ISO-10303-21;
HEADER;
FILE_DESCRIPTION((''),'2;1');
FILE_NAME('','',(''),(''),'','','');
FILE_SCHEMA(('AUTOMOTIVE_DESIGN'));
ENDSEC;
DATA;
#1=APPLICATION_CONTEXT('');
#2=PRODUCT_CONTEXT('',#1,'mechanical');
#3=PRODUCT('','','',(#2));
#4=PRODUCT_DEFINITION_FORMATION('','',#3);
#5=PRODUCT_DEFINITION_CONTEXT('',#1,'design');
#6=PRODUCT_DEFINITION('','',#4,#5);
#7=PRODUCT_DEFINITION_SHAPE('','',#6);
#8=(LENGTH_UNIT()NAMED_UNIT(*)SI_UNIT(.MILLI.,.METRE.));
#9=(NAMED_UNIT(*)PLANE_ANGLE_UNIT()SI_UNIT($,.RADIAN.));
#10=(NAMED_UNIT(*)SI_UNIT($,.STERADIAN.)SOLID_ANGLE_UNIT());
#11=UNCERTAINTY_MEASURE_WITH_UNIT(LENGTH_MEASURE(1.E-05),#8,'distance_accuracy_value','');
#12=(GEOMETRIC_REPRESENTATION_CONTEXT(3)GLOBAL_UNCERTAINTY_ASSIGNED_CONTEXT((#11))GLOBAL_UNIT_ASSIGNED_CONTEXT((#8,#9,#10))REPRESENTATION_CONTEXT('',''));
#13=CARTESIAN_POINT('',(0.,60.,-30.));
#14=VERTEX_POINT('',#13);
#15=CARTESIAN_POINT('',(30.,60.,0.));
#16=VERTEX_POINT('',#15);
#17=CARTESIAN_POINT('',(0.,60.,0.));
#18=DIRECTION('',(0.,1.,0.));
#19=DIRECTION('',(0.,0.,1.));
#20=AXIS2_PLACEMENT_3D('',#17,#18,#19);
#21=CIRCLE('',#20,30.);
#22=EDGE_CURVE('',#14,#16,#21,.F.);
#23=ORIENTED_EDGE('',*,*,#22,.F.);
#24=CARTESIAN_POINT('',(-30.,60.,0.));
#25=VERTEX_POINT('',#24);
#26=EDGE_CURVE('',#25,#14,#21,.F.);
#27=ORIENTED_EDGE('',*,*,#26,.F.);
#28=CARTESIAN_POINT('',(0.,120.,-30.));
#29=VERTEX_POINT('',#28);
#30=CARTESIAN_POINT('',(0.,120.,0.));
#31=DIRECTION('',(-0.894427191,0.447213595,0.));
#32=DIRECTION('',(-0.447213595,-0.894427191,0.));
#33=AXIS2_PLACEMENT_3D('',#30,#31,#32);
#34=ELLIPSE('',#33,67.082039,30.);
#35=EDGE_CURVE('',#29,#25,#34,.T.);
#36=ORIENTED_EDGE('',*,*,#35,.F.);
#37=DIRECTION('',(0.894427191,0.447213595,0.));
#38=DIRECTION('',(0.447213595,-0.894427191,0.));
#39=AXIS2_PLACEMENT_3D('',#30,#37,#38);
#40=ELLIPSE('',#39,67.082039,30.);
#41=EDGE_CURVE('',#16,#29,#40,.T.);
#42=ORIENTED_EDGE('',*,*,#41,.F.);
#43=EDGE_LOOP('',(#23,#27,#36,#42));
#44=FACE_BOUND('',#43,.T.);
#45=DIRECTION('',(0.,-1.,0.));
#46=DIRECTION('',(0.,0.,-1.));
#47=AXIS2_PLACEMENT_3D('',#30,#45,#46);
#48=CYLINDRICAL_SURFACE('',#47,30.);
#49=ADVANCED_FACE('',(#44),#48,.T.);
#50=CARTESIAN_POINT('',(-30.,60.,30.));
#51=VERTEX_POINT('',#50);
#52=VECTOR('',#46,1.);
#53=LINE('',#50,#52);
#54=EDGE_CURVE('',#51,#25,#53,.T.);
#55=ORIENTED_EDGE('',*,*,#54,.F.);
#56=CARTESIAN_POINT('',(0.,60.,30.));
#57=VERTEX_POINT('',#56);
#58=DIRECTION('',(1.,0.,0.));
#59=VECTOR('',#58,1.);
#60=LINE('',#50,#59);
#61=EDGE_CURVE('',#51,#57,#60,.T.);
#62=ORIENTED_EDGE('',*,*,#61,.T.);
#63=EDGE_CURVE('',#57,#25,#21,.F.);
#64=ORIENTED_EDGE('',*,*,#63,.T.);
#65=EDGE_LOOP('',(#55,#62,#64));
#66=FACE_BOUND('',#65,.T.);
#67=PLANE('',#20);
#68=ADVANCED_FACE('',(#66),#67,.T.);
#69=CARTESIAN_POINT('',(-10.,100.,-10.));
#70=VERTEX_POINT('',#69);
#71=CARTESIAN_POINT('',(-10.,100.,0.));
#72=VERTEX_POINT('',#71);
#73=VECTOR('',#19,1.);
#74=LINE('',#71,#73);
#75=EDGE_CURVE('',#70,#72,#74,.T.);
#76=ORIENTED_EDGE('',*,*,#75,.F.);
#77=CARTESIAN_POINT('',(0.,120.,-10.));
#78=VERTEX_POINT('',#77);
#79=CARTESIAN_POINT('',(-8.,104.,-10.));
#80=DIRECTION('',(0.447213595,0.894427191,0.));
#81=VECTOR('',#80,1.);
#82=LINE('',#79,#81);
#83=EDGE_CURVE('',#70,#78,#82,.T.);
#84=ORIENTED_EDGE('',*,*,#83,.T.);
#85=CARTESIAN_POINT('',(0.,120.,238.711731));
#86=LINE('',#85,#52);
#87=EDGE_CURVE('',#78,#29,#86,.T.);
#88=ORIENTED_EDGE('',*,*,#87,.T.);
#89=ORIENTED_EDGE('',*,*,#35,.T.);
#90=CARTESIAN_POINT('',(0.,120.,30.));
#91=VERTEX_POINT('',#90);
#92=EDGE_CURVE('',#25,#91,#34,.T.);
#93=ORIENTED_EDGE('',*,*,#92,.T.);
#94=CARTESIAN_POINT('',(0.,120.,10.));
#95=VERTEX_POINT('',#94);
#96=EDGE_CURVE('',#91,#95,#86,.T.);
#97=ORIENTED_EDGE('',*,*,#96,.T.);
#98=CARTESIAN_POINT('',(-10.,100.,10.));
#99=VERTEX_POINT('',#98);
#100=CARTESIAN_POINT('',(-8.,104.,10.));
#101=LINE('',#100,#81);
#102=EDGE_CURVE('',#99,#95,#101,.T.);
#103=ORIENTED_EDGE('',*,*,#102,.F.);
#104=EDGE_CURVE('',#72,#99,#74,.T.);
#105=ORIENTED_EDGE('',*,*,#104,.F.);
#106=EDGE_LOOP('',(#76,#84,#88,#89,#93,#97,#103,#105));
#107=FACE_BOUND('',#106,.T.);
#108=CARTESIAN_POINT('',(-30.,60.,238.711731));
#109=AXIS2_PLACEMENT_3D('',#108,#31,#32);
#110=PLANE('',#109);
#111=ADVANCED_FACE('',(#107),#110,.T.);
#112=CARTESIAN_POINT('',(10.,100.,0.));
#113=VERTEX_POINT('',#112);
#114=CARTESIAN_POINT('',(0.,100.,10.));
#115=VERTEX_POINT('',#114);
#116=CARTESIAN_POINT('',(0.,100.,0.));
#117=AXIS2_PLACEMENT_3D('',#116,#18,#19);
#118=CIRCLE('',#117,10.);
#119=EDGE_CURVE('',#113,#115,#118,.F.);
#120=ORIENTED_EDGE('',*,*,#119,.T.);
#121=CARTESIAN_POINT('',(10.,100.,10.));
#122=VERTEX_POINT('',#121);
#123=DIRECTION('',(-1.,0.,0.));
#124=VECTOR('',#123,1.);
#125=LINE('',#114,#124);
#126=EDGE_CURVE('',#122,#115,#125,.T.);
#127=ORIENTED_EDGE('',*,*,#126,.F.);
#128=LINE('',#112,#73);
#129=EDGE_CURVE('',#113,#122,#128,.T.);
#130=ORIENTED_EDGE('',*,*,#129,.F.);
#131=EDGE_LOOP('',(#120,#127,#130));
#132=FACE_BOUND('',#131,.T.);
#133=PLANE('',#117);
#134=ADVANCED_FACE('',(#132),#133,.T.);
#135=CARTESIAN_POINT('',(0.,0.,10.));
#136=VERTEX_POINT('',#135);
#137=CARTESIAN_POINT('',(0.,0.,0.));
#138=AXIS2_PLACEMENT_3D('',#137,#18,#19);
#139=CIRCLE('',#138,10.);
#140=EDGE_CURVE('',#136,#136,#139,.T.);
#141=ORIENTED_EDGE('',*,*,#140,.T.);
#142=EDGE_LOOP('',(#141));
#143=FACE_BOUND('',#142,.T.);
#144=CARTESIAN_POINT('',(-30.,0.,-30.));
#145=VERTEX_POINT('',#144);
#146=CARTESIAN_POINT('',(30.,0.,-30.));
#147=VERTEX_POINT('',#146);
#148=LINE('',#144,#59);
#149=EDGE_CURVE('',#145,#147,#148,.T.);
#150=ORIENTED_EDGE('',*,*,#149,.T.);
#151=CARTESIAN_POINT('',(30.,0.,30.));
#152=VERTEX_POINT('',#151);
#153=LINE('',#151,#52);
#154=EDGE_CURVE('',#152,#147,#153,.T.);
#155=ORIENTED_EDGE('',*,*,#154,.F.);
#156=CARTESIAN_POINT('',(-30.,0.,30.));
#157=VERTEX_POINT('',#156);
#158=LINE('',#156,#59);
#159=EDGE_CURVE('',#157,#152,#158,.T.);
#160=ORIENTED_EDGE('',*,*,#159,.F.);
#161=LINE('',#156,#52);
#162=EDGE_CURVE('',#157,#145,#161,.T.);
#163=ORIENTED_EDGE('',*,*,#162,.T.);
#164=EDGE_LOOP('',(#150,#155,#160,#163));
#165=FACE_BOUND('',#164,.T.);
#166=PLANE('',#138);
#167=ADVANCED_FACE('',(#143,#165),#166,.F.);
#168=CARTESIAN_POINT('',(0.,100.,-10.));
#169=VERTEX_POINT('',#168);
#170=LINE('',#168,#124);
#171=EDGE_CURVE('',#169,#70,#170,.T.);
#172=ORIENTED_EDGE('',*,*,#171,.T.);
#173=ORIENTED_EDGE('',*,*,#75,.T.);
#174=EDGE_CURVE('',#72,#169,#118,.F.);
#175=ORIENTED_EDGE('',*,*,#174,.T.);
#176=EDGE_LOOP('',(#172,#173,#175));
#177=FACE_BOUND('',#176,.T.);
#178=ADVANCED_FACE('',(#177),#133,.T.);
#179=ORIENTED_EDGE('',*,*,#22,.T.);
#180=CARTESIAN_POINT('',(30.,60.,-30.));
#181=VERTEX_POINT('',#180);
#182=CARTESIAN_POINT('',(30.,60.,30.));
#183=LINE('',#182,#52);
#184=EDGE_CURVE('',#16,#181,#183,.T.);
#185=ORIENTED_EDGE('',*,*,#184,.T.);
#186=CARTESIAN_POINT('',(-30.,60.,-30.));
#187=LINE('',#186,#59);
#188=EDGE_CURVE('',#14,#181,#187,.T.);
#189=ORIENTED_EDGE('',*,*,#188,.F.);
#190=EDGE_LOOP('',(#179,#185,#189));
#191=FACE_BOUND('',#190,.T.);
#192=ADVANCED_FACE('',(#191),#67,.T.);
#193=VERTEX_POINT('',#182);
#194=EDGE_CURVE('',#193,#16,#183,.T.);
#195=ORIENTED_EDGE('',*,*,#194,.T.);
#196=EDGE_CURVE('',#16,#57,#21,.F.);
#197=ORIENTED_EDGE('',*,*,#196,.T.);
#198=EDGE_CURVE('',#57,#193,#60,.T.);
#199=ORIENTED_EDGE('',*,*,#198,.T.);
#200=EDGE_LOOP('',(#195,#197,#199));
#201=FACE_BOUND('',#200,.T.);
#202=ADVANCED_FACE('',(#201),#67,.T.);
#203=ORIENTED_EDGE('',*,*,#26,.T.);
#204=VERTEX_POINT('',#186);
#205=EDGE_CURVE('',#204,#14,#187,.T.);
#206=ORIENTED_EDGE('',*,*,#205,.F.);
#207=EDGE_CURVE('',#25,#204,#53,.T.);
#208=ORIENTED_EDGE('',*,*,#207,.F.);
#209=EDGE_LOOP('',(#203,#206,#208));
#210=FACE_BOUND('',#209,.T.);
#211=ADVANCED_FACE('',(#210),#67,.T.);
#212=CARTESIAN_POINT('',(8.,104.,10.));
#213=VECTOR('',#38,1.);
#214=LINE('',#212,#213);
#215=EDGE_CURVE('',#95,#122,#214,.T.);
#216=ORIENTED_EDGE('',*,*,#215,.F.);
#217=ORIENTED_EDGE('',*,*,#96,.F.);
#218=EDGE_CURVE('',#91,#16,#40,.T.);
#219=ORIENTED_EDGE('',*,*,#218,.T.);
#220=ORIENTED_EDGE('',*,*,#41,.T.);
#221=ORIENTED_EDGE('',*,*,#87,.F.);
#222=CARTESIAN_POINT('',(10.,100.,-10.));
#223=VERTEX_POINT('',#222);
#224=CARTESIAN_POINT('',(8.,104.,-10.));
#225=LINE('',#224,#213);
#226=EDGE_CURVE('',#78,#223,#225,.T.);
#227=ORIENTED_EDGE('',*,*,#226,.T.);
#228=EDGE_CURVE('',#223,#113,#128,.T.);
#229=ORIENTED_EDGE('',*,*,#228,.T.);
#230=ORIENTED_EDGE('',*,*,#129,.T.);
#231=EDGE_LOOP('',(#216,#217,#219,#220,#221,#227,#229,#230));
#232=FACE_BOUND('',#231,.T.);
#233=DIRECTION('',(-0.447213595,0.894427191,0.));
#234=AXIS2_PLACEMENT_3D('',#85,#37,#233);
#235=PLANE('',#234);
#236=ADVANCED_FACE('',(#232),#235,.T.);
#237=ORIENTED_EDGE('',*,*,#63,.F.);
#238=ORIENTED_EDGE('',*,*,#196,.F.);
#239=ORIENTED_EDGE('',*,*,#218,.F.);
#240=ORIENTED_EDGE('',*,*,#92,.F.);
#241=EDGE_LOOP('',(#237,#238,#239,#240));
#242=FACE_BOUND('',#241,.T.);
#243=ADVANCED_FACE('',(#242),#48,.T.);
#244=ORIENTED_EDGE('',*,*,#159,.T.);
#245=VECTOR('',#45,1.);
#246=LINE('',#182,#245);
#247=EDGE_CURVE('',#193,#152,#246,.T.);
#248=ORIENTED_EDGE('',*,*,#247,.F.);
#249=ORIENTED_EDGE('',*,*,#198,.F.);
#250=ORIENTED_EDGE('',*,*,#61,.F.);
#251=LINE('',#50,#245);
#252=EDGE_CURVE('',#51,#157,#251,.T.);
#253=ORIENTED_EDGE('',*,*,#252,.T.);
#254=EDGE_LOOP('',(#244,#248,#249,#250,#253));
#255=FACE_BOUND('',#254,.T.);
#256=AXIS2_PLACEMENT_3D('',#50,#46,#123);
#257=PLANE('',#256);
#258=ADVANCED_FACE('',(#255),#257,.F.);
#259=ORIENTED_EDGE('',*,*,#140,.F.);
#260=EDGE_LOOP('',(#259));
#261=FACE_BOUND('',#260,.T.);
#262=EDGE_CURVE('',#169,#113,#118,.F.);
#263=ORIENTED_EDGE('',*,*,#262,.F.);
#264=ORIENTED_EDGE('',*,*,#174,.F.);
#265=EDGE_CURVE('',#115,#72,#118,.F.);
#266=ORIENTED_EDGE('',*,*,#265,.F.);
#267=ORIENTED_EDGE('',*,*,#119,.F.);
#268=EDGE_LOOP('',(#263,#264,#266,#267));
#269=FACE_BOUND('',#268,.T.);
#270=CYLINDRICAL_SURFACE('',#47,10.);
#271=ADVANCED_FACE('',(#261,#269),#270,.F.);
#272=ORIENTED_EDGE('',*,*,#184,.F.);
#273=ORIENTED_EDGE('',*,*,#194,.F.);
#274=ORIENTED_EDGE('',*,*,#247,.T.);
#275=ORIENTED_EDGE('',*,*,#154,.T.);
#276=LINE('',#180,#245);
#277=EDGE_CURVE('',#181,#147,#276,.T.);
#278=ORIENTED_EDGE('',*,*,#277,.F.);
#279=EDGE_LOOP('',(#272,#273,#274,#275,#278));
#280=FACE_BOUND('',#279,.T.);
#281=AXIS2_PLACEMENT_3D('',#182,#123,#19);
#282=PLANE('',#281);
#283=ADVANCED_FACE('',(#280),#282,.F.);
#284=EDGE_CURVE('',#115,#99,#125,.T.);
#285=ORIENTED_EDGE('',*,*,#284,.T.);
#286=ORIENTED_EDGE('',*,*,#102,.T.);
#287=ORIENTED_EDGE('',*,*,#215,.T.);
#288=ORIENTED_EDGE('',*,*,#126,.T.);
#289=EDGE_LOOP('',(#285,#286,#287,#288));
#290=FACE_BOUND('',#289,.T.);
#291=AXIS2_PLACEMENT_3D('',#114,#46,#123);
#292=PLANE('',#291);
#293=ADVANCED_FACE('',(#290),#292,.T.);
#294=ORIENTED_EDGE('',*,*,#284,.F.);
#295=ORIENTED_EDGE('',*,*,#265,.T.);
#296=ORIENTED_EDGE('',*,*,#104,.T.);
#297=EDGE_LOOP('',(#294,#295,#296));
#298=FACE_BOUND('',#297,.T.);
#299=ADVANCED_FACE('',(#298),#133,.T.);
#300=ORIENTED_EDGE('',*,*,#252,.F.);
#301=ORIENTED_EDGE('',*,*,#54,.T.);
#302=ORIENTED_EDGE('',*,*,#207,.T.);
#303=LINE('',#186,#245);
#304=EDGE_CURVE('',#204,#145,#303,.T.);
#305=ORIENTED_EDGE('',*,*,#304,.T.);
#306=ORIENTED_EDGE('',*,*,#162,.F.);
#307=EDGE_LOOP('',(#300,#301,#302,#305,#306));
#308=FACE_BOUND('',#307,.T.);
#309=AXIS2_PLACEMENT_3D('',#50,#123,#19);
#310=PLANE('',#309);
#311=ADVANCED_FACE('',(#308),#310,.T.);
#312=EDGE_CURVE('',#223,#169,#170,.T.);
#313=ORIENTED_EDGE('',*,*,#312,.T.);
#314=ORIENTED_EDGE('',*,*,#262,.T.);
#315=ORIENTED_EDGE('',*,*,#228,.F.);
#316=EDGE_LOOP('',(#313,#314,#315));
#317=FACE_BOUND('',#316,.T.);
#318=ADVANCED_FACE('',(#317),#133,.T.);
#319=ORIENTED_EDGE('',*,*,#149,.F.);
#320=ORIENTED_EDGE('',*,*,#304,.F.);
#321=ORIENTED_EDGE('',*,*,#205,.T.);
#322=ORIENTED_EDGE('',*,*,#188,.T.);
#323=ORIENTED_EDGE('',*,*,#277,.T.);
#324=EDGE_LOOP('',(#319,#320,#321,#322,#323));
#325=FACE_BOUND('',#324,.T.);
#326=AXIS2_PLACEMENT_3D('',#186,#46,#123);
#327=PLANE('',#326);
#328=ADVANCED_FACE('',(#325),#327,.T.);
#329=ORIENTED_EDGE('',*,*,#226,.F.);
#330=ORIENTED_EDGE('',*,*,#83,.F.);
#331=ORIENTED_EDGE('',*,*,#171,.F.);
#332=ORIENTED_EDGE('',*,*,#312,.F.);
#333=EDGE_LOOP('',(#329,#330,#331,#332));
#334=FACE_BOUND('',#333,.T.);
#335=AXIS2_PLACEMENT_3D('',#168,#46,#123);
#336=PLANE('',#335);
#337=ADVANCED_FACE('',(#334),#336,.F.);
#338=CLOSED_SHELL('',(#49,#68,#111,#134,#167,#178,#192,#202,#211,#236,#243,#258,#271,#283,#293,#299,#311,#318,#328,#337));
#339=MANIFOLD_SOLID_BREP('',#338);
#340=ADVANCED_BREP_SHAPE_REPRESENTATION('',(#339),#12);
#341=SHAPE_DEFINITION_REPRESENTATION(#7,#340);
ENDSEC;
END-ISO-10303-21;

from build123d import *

# Parameters (mm, degrees)
SKETCH1_W               = 60
SKETCH1_H               = 60
BOSS_EXTRUDE1_DEPTH     = 60
SKETCH1_3_R             = 30
BOSS_EXTRUDE2_DEPTH     = 120
CUT_EXTRUDE1_START      = 120
SKETCH1_4_W             = 20
SKETCH1_4_H             = 20
CUT_EXTRUDE1_DEPTH      = 20
SKETCH1_5_R             = 10
CUT_EXTRUDE2_DEPTH      = 128.279220614
CUT_EXTRUDE3_DEPTH      = 138.477270849
CUT_EXTRUDE3_DEPTH_BACK = 138.477270849


with BuildPart() as part:
    # Sketch1 → Boss-Extrude1 (new body)
    with BuildSketch(Plane(origin=(0, 0, 0), x_dir=(1, 0, 0), z_dir=(0, 1, 0))):
        Rectangle(SKETCH1_W, SKETCH1_H)
    extrude(amount=BOSS_EXTRUDE1_DEPTH)

    # Sketch1<3> → Boss-Extrude2 (add)
    with BuildSketch(Plane(origin=(0, 0, 0), x_dir=(1, 0, 0), z_dir=(0, 1, 0))):
        with Locations(Location((0, 0, 0), (0, 0, 270))):
            Circle(SKETCH1_3_R)
    extrude(amount=BOSS_EXTRUDE2_DEPTH)

    # Sketch1<4> → Cut-Extrude1 (cut)
    with BuildSketch(Plane(origin=(0, 0, 0), x_dir=(1, 0, 0), z_dir=(0, 1, 0)).offset(CUT_EXTRUDE1_START)):
        Rectangle(SKETCH1_4_W, SKETCH1_4_H)
    extrude(amount=-CUT_EXTRUDE1_DEPTH, mode=Mode.SUBTRACT)

    # Sketch1<5> → Cut-Extrude2 (cut, through all)
    with BuildSketch(Plane(origin=(0, 0, 0), x_dir=(1, 0, 0), z_dir=(0, 1, 0))):
        with Locations(Location((0, 0, 0), (0, 0, 270))):
            Circle(SKETCH1_5_R)
    extrude(amount=CUT_EXTRUDE2_DEPTH, mode=Mode.SUBTRACT)

    # Sketch2 → Cut-Extrude3 (cut, two sides: drawn at the far end of the back side and taken through both)
    with BuildSketch(Plane.XY.offset(30).offset(-CUT_EXTRUDE3_DEPTH_BACK)):
        Polygon((-110.366799799, -100.733599598), (-30, 60), (0, 120), (30, 60), (110.366799799, -100.733599598), (110.366799799, 258.677655371), (-110.366799799, 258.677655371), align=None)
    extrude(amount=CUT_EXTRUDE3_DEPTH + CUT_EXTRUDE3_DEPTH_BACK, mode=Mode.SUBTRACT)


solid = part.part
